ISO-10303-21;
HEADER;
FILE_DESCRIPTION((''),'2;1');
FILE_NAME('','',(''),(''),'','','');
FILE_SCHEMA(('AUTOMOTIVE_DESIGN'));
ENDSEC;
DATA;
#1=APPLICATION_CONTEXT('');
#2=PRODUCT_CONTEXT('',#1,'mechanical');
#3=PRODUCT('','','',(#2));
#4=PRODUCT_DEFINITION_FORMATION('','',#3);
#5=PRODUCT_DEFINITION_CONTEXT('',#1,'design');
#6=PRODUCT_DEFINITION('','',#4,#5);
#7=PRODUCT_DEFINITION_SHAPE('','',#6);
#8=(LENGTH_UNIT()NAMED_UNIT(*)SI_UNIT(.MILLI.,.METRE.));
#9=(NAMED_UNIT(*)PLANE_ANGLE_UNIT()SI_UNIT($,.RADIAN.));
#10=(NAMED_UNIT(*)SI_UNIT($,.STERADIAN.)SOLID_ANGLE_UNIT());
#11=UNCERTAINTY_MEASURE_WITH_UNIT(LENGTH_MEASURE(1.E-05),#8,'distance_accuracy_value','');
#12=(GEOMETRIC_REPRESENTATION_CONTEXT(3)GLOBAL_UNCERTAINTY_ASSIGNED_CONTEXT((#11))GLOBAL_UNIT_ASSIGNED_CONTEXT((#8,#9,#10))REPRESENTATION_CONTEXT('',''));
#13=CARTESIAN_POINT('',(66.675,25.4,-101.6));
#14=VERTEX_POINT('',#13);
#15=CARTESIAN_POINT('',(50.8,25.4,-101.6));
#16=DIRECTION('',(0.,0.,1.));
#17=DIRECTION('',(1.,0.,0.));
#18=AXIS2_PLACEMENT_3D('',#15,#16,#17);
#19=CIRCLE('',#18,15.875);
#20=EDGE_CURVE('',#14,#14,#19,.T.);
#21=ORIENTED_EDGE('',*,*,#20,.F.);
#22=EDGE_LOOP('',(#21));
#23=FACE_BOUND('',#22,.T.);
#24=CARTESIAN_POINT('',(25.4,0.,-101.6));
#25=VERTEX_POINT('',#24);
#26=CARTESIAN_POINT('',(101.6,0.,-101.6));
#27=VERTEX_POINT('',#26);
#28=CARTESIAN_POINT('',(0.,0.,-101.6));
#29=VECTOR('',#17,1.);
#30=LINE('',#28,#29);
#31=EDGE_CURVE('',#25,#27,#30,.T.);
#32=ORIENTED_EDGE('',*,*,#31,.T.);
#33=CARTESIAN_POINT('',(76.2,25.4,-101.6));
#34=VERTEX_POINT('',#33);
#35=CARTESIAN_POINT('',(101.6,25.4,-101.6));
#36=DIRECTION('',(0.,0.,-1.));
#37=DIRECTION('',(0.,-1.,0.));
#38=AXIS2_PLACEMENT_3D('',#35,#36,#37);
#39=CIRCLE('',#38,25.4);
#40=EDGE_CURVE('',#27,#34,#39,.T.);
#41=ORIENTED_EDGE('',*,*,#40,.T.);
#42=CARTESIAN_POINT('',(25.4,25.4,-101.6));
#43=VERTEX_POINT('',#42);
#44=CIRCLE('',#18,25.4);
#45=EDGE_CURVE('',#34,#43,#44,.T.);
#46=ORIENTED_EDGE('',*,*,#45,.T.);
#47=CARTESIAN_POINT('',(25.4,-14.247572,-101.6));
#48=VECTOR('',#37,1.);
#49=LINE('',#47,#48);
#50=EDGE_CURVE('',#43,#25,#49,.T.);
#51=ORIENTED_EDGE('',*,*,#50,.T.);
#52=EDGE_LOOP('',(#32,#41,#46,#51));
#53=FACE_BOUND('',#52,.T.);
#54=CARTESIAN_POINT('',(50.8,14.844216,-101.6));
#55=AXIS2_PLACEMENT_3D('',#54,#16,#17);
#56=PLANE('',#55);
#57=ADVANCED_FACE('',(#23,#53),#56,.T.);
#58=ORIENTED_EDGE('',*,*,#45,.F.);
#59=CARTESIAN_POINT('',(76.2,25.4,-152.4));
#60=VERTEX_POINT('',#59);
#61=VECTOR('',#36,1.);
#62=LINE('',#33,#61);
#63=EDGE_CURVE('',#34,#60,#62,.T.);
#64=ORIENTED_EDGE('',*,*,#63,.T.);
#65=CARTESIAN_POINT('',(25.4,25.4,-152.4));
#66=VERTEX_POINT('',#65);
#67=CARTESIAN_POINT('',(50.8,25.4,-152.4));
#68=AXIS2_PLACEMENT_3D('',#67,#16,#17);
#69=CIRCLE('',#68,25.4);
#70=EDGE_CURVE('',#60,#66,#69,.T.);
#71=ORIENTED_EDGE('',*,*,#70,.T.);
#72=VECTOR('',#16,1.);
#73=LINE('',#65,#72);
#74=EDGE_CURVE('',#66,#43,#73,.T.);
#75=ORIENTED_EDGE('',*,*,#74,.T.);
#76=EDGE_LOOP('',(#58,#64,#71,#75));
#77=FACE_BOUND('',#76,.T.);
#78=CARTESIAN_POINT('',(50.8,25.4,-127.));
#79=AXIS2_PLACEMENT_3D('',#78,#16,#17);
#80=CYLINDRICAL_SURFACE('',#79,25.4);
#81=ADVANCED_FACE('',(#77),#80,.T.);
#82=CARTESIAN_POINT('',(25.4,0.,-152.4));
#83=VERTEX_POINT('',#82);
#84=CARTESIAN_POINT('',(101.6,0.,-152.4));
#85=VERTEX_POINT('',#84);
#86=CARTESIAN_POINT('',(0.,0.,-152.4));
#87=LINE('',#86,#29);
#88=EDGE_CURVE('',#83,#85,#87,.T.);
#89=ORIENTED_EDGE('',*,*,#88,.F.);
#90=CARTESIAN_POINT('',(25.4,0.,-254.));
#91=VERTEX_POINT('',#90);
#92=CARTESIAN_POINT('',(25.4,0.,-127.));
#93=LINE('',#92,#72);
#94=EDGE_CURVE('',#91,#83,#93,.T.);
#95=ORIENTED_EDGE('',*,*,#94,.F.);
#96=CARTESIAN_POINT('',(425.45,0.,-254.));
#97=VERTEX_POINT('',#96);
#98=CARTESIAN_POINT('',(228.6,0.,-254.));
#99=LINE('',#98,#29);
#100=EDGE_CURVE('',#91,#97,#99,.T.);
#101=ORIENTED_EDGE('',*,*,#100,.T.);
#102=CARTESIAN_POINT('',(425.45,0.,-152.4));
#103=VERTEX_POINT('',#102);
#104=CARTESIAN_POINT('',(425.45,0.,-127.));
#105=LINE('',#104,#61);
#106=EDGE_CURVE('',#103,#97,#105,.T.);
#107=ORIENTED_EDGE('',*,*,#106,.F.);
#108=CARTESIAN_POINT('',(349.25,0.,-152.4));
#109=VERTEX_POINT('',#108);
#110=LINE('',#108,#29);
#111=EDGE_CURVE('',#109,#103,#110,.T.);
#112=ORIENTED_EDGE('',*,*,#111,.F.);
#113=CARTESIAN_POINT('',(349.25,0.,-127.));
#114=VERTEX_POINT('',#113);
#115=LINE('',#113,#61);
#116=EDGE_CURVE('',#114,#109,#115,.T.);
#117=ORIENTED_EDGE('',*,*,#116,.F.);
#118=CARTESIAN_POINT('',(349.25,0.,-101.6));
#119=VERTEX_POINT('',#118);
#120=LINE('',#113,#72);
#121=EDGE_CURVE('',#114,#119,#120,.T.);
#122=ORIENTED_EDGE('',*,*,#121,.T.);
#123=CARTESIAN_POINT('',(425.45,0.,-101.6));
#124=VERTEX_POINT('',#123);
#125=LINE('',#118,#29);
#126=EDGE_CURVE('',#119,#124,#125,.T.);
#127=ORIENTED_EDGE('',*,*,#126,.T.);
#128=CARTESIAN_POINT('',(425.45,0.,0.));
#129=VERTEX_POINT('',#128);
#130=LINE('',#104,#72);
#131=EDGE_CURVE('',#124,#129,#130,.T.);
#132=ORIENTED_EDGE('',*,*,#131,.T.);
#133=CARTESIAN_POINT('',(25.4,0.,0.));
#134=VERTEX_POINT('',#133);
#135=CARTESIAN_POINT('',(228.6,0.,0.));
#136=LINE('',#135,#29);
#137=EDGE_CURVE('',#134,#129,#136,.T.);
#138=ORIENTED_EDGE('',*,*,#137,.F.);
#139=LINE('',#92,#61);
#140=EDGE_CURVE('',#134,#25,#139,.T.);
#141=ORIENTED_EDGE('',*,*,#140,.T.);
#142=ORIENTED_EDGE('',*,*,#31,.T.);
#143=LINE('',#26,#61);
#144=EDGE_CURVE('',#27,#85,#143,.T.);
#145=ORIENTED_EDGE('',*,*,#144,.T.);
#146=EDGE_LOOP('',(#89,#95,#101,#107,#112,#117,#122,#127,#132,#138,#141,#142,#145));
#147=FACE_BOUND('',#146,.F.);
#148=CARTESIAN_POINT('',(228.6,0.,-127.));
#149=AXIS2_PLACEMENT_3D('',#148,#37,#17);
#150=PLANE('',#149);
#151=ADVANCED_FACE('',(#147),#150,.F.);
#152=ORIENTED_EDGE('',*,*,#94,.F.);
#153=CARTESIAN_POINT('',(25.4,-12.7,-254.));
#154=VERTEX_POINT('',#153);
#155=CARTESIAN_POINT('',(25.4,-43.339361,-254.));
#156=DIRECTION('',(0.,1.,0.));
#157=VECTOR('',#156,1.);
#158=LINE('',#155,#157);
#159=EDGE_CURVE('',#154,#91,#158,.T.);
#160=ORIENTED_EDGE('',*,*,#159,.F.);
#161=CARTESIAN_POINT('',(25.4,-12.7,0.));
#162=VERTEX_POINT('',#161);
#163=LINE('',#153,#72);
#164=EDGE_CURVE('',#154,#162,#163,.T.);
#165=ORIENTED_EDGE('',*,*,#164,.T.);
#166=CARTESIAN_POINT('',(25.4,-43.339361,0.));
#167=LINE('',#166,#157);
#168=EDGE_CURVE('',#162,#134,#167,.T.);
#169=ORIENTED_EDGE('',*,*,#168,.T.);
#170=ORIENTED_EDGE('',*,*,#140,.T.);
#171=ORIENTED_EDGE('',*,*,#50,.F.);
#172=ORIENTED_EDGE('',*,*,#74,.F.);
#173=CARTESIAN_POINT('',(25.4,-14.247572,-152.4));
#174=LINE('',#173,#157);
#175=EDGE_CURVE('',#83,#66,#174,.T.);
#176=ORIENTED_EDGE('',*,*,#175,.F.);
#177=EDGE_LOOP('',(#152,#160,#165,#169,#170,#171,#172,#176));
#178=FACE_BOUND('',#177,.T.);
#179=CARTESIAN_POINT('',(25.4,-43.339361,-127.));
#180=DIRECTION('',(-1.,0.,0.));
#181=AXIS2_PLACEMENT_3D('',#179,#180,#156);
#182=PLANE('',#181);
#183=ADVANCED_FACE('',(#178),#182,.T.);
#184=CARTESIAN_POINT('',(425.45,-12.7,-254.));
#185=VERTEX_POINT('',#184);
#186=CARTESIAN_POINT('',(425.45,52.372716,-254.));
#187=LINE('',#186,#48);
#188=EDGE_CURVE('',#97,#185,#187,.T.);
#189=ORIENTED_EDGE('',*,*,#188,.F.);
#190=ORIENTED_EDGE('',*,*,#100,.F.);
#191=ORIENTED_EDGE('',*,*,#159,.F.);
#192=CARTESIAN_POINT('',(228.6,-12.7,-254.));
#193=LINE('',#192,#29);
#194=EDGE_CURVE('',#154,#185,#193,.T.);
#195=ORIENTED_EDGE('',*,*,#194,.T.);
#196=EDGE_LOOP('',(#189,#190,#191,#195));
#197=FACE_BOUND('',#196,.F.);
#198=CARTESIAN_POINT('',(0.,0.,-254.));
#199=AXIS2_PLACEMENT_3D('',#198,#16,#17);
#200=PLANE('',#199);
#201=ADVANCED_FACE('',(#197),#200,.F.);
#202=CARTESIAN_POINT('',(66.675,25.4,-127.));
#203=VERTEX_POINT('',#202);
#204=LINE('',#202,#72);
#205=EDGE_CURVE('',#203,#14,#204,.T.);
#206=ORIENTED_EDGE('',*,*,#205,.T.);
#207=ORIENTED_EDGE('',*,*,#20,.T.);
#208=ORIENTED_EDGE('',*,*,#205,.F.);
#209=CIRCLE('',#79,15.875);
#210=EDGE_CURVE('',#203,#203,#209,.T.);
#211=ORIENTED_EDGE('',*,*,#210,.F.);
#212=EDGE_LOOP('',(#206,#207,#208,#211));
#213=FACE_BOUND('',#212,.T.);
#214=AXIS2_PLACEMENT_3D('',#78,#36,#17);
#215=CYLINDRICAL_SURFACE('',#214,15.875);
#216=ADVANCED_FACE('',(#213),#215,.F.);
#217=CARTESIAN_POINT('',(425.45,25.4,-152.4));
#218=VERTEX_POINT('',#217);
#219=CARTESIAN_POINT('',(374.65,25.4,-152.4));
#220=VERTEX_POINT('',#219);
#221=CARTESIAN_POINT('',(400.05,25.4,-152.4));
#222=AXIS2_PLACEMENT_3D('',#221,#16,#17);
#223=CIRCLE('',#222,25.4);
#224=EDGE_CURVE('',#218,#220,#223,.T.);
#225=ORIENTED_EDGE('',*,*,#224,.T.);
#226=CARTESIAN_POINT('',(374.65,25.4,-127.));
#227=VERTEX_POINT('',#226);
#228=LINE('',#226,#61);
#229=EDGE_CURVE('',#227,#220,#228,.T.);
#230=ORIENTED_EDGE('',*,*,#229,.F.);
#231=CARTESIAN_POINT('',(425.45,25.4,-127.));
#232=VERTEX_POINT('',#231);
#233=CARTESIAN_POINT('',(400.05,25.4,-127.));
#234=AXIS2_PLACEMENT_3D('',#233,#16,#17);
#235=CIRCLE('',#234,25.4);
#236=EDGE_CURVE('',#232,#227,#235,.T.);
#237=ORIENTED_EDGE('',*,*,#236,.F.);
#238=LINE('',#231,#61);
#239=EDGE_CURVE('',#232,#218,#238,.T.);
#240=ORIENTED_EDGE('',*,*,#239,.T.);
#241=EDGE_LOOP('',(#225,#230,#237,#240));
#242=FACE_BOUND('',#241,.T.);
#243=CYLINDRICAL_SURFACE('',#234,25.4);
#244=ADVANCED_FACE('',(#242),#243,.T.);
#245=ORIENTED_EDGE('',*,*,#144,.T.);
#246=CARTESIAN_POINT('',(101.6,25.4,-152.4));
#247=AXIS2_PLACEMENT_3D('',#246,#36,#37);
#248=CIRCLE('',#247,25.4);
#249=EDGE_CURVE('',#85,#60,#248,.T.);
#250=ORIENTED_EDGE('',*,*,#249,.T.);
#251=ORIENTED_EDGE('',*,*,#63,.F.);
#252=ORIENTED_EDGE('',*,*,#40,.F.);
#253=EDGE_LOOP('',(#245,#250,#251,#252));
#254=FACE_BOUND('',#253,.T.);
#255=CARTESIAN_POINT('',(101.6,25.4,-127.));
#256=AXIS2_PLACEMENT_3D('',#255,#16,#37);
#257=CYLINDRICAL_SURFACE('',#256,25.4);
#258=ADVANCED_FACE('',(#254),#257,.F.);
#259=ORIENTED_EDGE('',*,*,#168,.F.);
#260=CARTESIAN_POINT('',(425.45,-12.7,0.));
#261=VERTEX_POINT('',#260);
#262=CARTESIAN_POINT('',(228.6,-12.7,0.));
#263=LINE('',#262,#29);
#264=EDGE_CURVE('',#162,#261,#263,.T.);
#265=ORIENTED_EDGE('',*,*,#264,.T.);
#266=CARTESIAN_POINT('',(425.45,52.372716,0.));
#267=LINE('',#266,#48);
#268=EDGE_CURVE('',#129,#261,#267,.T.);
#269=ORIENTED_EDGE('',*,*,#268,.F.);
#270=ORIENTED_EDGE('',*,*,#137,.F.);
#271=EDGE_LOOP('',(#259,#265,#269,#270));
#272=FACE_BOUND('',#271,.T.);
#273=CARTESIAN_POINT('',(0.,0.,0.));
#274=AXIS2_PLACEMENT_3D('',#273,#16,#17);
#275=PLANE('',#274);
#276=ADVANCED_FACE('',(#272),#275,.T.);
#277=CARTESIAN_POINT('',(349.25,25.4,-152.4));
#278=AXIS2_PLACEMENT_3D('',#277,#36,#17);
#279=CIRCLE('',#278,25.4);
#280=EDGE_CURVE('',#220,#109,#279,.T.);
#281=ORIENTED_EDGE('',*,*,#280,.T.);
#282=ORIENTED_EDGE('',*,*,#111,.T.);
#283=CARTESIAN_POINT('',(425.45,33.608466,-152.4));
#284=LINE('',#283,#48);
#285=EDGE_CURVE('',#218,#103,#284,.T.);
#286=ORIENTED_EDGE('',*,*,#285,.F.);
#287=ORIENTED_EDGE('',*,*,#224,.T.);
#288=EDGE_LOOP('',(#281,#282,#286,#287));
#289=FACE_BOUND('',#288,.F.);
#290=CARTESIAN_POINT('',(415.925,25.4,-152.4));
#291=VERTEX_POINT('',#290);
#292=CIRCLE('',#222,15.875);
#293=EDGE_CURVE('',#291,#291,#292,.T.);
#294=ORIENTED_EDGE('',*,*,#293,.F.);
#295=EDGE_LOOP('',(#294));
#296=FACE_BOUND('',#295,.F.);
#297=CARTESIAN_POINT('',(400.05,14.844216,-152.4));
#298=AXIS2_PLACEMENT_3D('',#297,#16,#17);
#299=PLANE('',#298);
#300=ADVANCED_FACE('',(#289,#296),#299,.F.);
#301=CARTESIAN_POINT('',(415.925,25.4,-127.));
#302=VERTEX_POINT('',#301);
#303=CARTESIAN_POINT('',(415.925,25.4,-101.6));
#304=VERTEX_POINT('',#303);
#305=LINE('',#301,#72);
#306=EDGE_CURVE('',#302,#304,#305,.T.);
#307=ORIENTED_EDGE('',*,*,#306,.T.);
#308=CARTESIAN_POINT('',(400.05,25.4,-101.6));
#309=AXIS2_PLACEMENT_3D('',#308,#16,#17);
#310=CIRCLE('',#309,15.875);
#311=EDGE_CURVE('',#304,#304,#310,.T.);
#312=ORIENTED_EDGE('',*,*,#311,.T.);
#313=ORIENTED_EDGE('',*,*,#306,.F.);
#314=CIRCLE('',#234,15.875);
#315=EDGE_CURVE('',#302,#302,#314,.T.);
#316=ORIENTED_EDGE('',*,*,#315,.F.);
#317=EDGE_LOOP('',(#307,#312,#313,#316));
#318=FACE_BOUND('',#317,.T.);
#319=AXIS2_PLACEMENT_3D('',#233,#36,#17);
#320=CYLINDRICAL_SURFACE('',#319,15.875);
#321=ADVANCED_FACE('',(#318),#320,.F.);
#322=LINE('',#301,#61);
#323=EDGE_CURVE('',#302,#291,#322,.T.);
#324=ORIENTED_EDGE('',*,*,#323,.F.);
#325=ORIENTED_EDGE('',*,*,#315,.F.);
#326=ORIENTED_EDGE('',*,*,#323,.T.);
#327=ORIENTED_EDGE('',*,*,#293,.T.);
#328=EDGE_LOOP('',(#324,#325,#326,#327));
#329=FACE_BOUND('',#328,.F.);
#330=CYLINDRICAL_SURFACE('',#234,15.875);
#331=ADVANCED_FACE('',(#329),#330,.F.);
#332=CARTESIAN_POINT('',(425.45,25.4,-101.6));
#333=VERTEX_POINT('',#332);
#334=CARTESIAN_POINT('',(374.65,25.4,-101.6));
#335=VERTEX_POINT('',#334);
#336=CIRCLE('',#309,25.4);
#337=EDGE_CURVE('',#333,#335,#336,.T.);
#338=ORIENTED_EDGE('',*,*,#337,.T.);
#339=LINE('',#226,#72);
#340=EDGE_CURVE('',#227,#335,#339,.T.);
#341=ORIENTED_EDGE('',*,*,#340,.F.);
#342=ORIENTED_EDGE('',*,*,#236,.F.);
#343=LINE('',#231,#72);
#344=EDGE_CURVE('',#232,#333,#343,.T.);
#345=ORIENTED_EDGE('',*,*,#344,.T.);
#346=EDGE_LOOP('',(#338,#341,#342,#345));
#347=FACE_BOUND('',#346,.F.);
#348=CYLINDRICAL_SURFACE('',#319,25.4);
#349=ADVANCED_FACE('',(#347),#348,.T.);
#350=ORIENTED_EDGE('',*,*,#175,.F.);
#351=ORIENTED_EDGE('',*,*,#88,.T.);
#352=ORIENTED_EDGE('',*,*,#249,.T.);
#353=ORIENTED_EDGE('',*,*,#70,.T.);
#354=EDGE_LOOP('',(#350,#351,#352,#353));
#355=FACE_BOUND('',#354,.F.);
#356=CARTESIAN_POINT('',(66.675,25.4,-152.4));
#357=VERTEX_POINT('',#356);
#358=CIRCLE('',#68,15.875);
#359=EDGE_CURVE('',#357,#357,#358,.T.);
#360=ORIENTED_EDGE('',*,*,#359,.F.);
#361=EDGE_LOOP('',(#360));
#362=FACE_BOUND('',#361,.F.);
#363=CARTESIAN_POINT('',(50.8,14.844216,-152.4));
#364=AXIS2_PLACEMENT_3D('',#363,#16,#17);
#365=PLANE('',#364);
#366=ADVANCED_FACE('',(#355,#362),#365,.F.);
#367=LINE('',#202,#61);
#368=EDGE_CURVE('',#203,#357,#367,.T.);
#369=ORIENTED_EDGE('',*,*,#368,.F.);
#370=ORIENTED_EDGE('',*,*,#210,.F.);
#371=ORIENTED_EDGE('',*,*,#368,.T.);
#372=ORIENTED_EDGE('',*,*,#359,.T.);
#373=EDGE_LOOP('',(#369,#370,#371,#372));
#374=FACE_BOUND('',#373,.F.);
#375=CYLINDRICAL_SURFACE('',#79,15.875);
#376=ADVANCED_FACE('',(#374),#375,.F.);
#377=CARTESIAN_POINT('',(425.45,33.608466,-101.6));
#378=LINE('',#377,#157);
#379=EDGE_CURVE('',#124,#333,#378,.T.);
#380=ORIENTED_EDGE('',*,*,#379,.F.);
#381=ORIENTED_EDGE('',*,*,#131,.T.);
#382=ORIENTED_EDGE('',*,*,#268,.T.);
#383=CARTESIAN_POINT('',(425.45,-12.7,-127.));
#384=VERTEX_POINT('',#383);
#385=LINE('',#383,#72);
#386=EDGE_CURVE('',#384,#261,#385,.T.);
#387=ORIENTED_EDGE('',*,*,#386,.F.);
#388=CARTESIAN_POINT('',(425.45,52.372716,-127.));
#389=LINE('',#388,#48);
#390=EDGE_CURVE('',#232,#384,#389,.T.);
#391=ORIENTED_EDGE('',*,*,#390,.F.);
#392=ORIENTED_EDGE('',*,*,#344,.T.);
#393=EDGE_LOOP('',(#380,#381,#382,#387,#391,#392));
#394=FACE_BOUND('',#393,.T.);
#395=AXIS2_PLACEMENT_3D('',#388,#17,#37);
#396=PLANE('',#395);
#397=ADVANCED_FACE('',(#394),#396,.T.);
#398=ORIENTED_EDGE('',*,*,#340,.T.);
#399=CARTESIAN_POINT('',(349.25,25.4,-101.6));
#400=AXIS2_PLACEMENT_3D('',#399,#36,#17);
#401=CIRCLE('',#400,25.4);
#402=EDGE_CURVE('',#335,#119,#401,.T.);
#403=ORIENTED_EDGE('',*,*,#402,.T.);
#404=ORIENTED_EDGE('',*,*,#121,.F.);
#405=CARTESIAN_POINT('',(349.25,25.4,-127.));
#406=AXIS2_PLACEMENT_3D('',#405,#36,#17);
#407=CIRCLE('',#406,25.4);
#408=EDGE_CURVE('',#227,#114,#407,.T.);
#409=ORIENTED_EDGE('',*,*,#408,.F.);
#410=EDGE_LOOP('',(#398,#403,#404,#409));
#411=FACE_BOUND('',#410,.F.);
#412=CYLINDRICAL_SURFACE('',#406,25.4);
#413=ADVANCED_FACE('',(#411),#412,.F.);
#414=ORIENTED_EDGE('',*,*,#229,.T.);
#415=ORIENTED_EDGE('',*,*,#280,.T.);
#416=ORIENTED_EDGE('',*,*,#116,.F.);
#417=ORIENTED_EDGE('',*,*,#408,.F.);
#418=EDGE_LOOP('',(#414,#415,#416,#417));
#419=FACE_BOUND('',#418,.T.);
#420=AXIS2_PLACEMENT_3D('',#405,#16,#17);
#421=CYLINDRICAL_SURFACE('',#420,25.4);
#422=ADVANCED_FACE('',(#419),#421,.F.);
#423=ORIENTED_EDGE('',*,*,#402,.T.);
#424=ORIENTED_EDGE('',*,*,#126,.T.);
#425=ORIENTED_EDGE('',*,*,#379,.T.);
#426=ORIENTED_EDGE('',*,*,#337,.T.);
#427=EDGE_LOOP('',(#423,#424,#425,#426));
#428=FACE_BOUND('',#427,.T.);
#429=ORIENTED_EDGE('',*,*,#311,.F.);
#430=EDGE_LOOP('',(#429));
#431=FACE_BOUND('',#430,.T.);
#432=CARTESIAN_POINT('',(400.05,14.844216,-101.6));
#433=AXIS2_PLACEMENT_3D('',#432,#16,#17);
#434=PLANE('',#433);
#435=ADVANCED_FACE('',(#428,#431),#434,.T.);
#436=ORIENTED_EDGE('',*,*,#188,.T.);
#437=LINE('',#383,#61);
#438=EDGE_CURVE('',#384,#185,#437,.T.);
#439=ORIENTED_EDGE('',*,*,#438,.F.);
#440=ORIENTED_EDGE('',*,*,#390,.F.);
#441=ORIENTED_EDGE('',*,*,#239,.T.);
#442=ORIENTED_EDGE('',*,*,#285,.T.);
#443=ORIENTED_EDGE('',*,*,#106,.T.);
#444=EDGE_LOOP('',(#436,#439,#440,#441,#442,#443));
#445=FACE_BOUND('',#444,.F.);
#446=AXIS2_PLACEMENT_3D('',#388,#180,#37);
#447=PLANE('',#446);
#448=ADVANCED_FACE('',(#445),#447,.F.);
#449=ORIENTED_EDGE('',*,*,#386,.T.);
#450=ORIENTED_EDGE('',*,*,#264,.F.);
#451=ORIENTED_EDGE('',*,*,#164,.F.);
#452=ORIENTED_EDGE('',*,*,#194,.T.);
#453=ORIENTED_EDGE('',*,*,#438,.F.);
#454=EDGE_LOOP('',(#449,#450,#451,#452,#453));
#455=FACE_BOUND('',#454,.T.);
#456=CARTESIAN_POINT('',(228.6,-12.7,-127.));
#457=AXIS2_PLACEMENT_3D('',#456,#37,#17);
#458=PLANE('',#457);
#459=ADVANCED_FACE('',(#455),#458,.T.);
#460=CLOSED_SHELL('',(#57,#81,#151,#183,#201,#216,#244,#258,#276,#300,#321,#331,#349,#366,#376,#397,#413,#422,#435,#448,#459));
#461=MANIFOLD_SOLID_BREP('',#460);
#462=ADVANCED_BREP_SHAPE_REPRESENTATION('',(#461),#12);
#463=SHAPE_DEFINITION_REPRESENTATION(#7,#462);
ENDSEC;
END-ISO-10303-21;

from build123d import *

# Parameters (mm, degrees)
F0_W          = 457.2
F0_H          = 254
F1_DEPTH      = 12.7
F3_R          = 15.875
F4_DEPTH      = 25.4
F4_DEPTH_BACK = 25.4
F6_DEPTH      = 127
F6_DEPTH_BACK = 127


with BuildPart() as f1:
    # F0 (on Front) → F1 (new body)
    with BuildSketch(Plane.XZ):
        with Locations((228.6, -127)):
            Rectangle(F0_W, F0_H)
    extrude(amount=F1_DEPTH)

    # F3 (on offset) → F4 (join, two sides)
    with BuildSketch(Plane.XY.offset(-127)) as f4_sk:
        with BuildLine():
            ThreePointArc((25.4, 25.4), (17.9605122421, 7.4394877579), (0, 0))
            Line((0, 0), (25.4, 0))
            Line((25.4, 0), (50.8, 0))
            Line((50.8, 0), (76.2, 0))
            Line((76.2, 0), (101.6, 0))
            ThreePointArc((101.6, 0), (83.6394877579, 7.4394877579), (76.2, 25.4))
            ThreePointArc((76.2, 25.4), (50.8, 50.8), (25.4, 25.4))
        make_face()
        with Locations((50.8, 25.4)):
            Circle(F3_R, mode=Mode.SUBTRACT)
        with BuildLine():
            Line((425.45, 0), (450.85, 0))
            ThreePointArc((450.85, 0), (432.8894877579, 7.4394877579), (425.45, 25.4))
            ThreePointArc((425.45, 25.4), (400.05, 50.8), (374.65, 25.4))
            ThreePointArc((374.65, 25.4), (367.2105122421, 7.4394877579), (349.25, 0))
            Line((349.25, 0), (374.65, 0))
            Line((374.65, 0), (400.05, 0))
            Line((400.05, 0), (425.45, 0))
        make_face()
        with Locations((400.05, 25.4)):
            Circle(F3_R, mode=Mode.SUBTRACT)
    extrude(amount=F4_DEPTH)
    extrude(f4_sk.sketch, amount=-F4_DEPTH_BACK)

    # F5 (on offset) → F6 (cut, two sides)
    with BuildSketch(Plane.XY.offset(-127)) as f6_sk:
        Polygon((25.4, -43.3393605053), (25.4, 0), (25.4, 52.3727163672), (-28.9033520967, 52.3727163672), (-28.9033520967, -43.3393605053), align=None)
        Polygon((425.45, 52.3727163672), (425.45, 0), (425.45, -43.3393605053), (479.7533520967, -43.3393605053), (479.7533520967, 52.3727163672), align=None)
    extrude(amount=-F6_DEPTH, mode=Mode.SUBTRACT)
    extrude(f6_sk.sketch, amount=F6_DEPTH_BACK, mode=Mode.SUBTRACT)


solid = f1.part
